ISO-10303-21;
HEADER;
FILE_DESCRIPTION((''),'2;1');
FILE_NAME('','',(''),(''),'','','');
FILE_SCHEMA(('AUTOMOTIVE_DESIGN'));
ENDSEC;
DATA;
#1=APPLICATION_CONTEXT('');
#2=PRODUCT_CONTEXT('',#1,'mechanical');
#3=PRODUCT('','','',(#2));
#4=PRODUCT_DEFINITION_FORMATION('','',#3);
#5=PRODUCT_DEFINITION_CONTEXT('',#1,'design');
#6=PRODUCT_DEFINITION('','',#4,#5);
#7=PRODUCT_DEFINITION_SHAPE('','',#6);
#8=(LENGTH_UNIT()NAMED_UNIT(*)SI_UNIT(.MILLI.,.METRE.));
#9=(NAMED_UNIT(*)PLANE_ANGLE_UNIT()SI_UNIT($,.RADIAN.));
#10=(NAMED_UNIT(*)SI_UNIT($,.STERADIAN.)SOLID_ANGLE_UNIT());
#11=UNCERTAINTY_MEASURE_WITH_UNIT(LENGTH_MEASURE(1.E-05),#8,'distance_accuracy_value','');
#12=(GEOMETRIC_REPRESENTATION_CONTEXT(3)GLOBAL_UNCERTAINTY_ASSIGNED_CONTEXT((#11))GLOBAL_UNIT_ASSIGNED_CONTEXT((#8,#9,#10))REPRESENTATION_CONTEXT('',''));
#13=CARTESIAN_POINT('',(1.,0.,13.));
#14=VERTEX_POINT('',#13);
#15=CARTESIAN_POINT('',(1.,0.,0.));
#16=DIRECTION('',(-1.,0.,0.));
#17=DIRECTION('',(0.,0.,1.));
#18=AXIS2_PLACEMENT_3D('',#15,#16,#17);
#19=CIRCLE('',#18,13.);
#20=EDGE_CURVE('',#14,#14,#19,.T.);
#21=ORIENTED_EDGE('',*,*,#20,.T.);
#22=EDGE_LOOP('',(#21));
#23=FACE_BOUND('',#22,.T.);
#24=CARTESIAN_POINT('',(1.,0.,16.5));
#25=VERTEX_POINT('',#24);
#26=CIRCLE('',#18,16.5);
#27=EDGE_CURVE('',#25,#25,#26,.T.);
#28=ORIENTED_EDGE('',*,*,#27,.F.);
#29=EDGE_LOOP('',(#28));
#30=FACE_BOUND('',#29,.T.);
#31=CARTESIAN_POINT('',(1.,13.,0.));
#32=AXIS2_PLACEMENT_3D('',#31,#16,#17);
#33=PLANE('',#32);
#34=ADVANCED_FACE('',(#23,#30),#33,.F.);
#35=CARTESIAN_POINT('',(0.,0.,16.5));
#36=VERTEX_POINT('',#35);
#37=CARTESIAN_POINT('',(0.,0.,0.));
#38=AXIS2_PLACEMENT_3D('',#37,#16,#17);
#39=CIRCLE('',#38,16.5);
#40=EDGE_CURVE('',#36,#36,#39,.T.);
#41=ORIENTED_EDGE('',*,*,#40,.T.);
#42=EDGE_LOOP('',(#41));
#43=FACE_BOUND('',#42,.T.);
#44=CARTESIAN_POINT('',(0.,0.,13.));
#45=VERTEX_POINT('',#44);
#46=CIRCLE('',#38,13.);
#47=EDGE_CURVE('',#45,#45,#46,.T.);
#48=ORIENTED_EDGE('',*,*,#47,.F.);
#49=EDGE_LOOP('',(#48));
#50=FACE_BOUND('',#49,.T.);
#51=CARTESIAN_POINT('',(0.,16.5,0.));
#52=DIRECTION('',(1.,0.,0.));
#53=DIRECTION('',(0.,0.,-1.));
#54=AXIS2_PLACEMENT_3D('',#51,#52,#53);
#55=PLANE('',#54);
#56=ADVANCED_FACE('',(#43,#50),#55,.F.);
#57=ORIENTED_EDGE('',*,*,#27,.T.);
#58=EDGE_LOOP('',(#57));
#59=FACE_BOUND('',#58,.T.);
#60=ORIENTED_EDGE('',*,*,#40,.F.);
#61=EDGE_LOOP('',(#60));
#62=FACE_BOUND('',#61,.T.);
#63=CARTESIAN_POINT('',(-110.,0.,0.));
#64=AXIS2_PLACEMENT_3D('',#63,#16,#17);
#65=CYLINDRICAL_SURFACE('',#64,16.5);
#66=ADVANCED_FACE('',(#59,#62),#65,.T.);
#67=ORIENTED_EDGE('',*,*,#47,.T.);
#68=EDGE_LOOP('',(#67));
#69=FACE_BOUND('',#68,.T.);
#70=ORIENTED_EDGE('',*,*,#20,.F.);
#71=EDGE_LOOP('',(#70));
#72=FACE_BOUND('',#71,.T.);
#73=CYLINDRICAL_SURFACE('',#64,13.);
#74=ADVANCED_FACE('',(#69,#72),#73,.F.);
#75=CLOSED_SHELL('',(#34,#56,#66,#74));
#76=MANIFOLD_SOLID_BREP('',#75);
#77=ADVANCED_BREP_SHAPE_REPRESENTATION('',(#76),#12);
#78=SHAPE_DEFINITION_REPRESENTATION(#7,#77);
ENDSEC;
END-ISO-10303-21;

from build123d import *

# Parameters (mm, degrees)
AXIAL_PROFILE_MM_W = 1
AXIAL_PROFILE_MM_H = 3.5


with BuildPart() as part:
    # Axial profile (mm) → Full revolution (revolve)
    with BuildSketch(Plane.XY, mode=Mode.PRIVATE) as full_revolution_sk:
        with Locations((0.5, 14.75)):
            Rectangle(AXIAL_PROFILE_MM_W, AXIAL_PROFILE_MM_H)
    revolve(full_revolution_sk.sketch.rotate(Axis((-110, 0, 0), (1, 0, 0)), 90), axis=Axis((-110, 0, 0), (1, 0, 0)))


solid = part.part
